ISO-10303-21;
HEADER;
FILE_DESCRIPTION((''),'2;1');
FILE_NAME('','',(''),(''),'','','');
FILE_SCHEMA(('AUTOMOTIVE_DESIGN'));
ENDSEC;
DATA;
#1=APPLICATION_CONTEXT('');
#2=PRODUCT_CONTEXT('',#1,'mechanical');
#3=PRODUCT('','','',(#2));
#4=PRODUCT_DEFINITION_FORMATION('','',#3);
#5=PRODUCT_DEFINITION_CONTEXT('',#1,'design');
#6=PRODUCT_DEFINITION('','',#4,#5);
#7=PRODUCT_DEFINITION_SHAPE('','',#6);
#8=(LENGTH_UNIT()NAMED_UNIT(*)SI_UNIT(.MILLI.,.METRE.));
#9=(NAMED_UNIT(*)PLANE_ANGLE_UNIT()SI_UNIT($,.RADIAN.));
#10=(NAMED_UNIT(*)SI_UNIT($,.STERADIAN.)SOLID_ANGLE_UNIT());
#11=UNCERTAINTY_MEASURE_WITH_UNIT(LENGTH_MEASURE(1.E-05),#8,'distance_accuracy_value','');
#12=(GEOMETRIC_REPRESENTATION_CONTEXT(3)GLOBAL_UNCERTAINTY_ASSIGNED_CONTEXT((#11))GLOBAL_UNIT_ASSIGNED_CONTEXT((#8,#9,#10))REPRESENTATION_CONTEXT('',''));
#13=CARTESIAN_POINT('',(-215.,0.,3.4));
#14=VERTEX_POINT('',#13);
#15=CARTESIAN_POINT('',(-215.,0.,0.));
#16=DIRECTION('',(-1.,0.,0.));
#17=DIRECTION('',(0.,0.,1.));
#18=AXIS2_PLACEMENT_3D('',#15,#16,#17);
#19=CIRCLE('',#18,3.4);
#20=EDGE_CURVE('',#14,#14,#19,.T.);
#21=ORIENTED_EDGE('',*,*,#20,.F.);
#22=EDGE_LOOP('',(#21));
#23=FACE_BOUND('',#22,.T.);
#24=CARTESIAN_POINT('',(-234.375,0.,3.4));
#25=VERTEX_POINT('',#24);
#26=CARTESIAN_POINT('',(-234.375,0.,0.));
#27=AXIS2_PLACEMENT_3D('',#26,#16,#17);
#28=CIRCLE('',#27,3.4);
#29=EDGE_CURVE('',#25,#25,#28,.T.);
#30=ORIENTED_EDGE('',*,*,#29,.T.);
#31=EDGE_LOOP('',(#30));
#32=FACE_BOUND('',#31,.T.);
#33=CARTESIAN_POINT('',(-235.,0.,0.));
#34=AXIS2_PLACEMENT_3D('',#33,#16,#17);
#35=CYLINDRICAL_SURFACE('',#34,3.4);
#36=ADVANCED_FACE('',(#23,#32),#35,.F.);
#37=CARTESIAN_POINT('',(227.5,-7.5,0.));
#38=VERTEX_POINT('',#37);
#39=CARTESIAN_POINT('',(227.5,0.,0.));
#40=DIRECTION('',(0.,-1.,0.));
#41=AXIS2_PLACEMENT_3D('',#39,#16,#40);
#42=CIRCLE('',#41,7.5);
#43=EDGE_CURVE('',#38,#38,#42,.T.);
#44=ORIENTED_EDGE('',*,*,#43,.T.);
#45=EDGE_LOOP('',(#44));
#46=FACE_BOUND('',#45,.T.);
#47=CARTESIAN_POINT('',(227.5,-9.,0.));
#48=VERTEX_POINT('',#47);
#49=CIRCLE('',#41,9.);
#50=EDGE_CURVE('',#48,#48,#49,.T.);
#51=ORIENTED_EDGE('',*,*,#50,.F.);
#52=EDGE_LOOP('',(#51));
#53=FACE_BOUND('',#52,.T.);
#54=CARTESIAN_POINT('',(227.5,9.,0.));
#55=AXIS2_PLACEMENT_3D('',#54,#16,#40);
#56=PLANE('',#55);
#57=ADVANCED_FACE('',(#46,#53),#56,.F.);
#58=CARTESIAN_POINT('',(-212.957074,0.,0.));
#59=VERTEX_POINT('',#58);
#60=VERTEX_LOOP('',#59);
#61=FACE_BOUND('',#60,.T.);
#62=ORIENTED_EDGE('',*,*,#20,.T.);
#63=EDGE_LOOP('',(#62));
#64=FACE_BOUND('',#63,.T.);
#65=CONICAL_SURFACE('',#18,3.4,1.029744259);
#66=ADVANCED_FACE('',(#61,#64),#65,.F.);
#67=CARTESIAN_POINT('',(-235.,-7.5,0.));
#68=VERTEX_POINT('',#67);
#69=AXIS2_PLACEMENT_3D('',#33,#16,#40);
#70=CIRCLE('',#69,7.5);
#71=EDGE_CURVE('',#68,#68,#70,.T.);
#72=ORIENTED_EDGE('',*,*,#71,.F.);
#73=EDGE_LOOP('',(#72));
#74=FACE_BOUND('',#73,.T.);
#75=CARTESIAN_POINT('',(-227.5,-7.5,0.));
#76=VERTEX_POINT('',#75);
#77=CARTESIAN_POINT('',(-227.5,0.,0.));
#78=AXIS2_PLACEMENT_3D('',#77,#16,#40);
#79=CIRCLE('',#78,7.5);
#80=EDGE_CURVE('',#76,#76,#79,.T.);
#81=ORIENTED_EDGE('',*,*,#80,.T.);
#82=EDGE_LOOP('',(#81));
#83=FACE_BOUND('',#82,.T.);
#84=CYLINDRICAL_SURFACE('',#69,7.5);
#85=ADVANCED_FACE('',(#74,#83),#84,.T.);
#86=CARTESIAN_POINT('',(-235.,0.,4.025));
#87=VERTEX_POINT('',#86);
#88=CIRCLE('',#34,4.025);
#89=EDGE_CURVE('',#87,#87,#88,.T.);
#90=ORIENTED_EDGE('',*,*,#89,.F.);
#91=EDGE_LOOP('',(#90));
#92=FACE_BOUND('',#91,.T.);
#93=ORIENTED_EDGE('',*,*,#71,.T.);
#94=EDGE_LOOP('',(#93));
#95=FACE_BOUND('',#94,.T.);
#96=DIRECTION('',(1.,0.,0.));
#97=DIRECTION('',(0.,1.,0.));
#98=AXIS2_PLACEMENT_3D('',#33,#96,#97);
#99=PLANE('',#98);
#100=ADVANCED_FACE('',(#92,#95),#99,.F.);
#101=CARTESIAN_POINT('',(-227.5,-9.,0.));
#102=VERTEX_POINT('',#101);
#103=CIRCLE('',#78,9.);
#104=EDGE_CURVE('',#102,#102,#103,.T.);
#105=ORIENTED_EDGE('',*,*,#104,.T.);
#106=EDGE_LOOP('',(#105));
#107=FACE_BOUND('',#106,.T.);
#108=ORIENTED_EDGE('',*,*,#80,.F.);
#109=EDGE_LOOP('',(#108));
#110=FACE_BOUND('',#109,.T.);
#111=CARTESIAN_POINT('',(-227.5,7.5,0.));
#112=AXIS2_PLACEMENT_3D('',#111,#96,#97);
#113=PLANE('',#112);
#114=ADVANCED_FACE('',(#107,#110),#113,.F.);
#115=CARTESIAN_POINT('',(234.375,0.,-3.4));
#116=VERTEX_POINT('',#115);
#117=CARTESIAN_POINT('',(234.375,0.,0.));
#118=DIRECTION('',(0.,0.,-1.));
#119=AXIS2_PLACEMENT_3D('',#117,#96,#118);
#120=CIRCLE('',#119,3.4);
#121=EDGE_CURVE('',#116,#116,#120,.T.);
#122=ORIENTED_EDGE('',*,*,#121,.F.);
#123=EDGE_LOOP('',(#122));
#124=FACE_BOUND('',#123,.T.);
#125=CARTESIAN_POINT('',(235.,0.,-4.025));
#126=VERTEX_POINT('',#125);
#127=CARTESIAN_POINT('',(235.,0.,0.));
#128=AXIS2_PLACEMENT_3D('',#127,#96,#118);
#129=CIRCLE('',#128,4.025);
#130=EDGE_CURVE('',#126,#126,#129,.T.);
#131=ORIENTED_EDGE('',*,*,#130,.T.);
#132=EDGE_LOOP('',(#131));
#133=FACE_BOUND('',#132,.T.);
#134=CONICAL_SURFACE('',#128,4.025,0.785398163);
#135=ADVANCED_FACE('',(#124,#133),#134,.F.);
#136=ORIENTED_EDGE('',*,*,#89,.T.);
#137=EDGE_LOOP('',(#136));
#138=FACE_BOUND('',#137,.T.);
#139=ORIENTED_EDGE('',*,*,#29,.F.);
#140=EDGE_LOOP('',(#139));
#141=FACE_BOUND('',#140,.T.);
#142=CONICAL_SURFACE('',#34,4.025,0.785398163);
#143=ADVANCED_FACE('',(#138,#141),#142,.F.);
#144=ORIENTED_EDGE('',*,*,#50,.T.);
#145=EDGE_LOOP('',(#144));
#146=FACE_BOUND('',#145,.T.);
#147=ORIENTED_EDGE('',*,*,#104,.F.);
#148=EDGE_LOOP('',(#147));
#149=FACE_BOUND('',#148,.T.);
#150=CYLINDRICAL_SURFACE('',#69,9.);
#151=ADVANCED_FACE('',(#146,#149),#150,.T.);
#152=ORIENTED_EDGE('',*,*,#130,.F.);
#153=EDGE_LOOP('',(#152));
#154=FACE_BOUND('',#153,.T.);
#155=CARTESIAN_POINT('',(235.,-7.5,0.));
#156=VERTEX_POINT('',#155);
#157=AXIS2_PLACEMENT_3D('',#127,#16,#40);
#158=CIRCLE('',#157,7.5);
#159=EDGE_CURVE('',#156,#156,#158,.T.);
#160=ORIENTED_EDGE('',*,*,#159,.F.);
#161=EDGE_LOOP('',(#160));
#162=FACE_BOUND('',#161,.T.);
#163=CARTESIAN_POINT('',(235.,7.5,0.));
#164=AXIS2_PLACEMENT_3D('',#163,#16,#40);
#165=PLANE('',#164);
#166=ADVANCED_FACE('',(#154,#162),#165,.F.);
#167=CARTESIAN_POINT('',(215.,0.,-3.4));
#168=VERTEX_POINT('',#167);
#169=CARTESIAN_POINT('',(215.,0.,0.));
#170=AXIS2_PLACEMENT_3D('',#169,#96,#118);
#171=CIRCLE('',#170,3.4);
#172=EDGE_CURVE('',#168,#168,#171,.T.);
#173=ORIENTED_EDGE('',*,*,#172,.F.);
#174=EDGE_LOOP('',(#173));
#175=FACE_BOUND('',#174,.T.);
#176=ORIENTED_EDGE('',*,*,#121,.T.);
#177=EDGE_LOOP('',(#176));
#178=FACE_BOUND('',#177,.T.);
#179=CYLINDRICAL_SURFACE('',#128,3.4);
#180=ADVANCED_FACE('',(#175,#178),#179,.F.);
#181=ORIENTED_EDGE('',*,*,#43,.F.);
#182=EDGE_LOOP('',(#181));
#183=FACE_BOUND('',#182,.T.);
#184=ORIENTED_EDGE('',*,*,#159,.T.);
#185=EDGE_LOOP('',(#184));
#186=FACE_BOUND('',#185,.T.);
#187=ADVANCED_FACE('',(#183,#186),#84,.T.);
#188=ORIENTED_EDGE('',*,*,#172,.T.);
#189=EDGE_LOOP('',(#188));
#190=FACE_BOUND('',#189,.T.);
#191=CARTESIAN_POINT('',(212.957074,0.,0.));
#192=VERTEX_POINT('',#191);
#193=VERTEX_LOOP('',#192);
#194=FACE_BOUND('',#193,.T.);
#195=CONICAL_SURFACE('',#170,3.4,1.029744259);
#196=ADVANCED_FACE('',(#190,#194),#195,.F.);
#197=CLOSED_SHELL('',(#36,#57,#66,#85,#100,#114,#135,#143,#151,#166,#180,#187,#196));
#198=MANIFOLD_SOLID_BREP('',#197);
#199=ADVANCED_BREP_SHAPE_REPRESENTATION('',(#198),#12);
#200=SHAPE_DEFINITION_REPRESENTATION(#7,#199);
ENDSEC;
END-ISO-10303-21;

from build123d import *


with BuildPart() as part:
    # Sketch1 → Revolve1 (revolve)
    with BuildSketch(Plane.XY, mode=Mode.PRIVATE) as revolve1_sk:
        Polygon((-235, 0), (235, 0), (235, 7.5), (227.5, 7.5), (227.5, 9), (-227.5, 9), (-227.5, 7.5), (-235, 7.5), align=None)
    revolve(revolve1_sk.sketch.rotate(Axis((-235, 0, 0), (1, 0, 0)), 180), axis=Axis((-235, 0, 0), (1, 0, 0)))

    # Sketch5 → M8 Tapped Hole2 (revolve, cut)
    with BuildSketch(Plane(origin=(235, 0, 0), x_dir=(0, 0, -1), z_dir=(0, 1, 0))):
        Polygon((0, 0), (0, 22.042926105), (3.4, 20), (3.4, 0.625), (4.025, 0), align=None)
    m8_tapped_hole2 = revolve(axis=Axis((241.35, 0, 0), (-1, 0, 0)), mode=Mode.SUBTRACT)

    # Mirror1: M8 Tapped Hole2 across plane
    add(m8_tapped_hole2.mirror(Plane(origin=(0, 0, 0), x_dir=(0, 0, 1), z_dir=(1, 0, 0))), mode=Mode.SUBTRACT)


solid = part.part
